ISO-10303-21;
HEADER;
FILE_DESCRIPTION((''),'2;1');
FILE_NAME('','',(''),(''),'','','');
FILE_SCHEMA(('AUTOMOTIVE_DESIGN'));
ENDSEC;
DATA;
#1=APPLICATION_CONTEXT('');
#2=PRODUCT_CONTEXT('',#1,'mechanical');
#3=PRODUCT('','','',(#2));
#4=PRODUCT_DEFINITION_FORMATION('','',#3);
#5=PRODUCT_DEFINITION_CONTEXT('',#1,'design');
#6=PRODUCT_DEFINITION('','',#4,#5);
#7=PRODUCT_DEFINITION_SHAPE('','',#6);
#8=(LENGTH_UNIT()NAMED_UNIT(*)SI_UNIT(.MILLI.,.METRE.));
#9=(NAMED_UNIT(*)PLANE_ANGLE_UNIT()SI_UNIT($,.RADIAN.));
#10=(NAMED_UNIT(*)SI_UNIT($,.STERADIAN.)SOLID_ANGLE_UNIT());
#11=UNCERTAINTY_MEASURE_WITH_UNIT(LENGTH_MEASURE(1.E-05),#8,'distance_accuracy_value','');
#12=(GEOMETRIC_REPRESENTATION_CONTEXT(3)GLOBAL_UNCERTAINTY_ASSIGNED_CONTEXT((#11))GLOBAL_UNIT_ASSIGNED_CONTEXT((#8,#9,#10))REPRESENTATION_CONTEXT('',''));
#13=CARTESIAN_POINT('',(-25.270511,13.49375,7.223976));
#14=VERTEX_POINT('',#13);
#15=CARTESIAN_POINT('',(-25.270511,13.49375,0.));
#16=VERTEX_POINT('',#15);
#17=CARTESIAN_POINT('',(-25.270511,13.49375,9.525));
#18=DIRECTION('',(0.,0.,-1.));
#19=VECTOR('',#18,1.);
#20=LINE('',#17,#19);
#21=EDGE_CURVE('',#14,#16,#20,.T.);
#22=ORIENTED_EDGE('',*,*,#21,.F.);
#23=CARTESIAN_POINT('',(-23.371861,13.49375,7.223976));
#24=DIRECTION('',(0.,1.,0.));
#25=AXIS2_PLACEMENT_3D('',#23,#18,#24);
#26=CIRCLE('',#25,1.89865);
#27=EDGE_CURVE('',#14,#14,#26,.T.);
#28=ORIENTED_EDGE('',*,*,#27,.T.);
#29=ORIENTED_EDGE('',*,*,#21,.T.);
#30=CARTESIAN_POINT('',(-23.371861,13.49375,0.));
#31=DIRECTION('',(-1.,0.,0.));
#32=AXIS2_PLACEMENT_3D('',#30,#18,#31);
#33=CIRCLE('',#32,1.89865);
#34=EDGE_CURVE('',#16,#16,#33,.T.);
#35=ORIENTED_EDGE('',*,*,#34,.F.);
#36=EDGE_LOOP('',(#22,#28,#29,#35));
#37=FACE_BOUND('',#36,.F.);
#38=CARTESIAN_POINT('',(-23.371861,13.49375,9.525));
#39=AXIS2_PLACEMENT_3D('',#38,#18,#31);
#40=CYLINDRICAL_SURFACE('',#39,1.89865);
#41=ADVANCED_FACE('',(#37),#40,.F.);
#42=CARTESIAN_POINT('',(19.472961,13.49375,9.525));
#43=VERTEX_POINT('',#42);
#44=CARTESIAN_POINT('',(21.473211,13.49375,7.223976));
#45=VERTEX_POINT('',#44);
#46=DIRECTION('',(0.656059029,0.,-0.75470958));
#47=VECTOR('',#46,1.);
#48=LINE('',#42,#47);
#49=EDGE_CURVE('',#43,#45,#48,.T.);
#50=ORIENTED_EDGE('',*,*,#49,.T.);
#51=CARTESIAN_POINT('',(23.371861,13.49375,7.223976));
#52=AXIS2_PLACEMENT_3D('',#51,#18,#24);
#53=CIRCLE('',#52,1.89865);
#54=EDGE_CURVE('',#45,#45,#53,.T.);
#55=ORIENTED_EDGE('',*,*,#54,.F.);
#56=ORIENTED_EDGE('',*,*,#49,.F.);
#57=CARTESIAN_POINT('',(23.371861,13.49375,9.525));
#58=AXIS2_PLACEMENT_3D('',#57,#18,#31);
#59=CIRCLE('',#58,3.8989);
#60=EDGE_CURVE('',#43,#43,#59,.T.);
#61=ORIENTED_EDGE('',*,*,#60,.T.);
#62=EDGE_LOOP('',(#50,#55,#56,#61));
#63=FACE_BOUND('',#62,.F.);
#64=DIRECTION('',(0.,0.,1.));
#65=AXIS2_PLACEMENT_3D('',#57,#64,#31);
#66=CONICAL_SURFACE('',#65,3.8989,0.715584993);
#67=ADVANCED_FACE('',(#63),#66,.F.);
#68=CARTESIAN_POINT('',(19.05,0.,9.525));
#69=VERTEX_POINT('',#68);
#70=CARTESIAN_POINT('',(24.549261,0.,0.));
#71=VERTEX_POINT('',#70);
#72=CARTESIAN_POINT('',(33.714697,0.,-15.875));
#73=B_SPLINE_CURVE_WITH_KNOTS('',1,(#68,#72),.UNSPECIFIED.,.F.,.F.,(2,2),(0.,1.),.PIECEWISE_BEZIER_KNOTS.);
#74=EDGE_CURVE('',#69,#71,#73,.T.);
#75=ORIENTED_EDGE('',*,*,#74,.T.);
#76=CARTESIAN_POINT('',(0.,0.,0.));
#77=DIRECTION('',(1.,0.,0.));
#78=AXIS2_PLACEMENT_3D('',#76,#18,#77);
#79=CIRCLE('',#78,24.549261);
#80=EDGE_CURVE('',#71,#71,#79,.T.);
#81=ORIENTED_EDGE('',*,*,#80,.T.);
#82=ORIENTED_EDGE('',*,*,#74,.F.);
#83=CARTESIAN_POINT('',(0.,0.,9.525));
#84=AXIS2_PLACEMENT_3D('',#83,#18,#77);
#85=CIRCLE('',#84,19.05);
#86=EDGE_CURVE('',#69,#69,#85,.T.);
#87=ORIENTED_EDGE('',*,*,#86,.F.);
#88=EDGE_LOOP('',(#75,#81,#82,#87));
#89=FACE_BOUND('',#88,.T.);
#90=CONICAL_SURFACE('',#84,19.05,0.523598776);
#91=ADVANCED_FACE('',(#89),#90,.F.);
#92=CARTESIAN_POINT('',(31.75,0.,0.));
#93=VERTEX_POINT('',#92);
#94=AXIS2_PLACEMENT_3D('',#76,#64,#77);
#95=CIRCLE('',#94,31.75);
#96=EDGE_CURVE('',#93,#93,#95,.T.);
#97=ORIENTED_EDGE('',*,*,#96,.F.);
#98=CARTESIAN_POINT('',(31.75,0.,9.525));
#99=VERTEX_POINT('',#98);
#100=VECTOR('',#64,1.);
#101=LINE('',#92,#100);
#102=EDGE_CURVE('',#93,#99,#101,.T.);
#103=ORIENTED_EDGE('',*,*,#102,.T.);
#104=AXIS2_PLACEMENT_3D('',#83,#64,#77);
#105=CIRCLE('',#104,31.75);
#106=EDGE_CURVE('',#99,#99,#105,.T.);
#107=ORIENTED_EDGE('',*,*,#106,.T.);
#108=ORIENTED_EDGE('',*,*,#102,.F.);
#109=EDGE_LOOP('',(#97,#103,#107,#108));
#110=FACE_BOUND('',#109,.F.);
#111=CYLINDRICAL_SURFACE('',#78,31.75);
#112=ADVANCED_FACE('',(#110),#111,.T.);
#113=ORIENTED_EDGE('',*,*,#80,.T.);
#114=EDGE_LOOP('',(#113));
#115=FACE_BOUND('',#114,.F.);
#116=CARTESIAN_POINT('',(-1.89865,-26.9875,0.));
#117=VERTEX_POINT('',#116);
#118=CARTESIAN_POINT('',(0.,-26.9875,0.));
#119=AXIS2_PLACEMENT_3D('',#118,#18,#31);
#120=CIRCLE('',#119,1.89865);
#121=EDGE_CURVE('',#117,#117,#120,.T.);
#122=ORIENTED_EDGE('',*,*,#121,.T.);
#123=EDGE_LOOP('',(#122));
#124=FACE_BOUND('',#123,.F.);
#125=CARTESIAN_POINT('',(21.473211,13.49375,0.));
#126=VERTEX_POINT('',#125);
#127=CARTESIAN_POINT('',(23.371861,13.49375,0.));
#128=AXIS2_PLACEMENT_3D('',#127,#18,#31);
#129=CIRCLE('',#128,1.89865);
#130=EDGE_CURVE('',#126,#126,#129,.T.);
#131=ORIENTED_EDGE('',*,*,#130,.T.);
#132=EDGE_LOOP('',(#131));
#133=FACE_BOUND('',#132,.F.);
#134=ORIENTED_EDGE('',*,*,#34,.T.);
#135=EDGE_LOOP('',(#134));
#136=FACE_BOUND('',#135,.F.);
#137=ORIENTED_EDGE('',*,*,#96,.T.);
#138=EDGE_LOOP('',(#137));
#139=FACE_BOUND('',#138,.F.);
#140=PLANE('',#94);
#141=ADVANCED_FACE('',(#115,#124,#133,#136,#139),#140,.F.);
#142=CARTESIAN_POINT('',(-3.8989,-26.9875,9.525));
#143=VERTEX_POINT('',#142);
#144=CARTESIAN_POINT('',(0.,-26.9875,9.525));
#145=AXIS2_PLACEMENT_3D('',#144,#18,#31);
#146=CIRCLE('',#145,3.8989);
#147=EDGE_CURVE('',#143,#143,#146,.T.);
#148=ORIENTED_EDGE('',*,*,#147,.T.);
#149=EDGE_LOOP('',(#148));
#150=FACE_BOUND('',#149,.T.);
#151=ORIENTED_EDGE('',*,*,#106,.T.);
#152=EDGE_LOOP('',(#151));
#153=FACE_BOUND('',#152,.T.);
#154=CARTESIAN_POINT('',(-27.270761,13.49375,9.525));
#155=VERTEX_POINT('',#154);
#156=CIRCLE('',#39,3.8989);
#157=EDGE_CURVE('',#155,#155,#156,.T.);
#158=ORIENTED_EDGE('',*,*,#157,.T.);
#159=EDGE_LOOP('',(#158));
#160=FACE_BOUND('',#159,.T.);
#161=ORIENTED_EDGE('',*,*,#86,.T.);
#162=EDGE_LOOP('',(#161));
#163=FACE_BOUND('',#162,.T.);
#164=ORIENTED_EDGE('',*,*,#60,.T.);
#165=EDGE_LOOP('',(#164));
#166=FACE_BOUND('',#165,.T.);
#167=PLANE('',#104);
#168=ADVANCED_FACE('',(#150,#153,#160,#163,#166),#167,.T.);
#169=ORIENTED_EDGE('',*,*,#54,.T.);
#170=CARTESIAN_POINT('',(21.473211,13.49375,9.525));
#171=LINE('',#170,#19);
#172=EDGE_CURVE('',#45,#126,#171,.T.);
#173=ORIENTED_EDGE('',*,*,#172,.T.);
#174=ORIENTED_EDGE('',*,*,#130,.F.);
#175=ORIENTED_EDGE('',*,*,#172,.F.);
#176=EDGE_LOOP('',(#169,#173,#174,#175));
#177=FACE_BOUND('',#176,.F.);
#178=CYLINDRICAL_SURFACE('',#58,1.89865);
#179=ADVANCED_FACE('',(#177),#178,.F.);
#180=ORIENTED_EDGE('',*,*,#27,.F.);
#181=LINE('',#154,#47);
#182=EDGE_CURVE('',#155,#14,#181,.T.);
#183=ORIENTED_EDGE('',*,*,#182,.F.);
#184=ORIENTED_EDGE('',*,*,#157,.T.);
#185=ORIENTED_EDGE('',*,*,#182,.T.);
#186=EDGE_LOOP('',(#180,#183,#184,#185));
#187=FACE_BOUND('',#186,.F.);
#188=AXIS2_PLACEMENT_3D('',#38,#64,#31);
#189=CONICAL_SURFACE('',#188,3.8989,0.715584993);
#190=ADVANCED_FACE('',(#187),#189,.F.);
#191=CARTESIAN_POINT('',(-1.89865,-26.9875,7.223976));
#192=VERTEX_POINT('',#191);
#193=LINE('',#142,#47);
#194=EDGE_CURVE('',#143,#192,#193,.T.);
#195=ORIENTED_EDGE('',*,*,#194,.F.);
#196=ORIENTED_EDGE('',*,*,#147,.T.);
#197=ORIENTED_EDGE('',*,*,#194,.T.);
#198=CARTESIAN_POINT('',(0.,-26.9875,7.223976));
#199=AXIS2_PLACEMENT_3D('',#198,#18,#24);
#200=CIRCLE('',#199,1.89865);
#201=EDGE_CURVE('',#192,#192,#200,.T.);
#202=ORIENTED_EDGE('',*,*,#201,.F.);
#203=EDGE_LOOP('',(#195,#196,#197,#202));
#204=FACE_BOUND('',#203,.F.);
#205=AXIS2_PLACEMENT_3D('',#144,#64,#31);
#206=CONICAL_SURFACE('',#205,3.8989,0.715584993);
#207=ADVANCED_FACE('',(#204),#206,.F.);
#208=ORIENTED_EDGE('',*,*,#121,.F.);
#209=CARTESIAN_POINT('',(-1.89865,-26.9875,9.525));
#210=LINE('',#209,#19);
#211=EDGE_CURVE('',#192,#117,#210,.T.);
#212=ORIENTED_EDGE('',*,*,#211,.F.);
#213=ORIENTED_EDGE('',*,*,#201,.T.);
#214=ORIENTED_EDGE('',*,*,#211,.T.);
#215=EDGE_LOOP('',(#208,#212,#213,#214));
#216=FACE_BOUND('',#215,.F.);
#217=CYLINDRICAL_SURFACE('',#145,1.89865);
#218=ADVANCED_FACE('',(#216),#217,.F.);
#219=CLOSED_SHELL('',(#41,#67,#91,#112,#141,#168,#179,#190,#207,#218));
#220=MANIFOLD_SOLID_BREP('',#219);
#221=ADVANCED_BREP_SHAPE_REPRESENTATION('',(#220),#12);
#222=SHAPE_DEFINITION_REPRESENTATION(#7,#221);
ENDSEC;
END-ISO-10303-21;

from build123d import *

# Parameters (mm, degrees)
F0_R           = 31.75
F1_DEPTH       = 9.525
F2_R           = 19.05
F3_DEPTH       = 25.4
F3_TAPER       = -30
F5_D           = 3.7973
F5_CSINK_D     = 7.7978
F5_CSINK_ANGLE = 82


with BuildPart() as f1:
    # F0 (on Top) → F1 (new body)
    with BuildSketch(Plane.XY):
        Circle(F0_R)
    extrude(amount=F1_DEPTH)

    # F2 (on face) → F3 (cut)
    with BuildSketch(Plane.XY.offset(9.525)):
        Circle(F2_R)
    extrude(amount=-F3_DEPTH, taper=F3_TAPER, mode=Mode.SUBTRACT)

    # F5 (through all)
    with Locations(Plane.XY.offset(9.525)):
        with Locations((-23.3718605846, 13.49375), (23.3718605846, 13.49375), (0, -26.9875)):
            CounterSinkHole(F5_D / 2, F5_CSINK_D / 2, counter_sink_angle=F5_CSINK_ANGLE)


solid = f1.part
